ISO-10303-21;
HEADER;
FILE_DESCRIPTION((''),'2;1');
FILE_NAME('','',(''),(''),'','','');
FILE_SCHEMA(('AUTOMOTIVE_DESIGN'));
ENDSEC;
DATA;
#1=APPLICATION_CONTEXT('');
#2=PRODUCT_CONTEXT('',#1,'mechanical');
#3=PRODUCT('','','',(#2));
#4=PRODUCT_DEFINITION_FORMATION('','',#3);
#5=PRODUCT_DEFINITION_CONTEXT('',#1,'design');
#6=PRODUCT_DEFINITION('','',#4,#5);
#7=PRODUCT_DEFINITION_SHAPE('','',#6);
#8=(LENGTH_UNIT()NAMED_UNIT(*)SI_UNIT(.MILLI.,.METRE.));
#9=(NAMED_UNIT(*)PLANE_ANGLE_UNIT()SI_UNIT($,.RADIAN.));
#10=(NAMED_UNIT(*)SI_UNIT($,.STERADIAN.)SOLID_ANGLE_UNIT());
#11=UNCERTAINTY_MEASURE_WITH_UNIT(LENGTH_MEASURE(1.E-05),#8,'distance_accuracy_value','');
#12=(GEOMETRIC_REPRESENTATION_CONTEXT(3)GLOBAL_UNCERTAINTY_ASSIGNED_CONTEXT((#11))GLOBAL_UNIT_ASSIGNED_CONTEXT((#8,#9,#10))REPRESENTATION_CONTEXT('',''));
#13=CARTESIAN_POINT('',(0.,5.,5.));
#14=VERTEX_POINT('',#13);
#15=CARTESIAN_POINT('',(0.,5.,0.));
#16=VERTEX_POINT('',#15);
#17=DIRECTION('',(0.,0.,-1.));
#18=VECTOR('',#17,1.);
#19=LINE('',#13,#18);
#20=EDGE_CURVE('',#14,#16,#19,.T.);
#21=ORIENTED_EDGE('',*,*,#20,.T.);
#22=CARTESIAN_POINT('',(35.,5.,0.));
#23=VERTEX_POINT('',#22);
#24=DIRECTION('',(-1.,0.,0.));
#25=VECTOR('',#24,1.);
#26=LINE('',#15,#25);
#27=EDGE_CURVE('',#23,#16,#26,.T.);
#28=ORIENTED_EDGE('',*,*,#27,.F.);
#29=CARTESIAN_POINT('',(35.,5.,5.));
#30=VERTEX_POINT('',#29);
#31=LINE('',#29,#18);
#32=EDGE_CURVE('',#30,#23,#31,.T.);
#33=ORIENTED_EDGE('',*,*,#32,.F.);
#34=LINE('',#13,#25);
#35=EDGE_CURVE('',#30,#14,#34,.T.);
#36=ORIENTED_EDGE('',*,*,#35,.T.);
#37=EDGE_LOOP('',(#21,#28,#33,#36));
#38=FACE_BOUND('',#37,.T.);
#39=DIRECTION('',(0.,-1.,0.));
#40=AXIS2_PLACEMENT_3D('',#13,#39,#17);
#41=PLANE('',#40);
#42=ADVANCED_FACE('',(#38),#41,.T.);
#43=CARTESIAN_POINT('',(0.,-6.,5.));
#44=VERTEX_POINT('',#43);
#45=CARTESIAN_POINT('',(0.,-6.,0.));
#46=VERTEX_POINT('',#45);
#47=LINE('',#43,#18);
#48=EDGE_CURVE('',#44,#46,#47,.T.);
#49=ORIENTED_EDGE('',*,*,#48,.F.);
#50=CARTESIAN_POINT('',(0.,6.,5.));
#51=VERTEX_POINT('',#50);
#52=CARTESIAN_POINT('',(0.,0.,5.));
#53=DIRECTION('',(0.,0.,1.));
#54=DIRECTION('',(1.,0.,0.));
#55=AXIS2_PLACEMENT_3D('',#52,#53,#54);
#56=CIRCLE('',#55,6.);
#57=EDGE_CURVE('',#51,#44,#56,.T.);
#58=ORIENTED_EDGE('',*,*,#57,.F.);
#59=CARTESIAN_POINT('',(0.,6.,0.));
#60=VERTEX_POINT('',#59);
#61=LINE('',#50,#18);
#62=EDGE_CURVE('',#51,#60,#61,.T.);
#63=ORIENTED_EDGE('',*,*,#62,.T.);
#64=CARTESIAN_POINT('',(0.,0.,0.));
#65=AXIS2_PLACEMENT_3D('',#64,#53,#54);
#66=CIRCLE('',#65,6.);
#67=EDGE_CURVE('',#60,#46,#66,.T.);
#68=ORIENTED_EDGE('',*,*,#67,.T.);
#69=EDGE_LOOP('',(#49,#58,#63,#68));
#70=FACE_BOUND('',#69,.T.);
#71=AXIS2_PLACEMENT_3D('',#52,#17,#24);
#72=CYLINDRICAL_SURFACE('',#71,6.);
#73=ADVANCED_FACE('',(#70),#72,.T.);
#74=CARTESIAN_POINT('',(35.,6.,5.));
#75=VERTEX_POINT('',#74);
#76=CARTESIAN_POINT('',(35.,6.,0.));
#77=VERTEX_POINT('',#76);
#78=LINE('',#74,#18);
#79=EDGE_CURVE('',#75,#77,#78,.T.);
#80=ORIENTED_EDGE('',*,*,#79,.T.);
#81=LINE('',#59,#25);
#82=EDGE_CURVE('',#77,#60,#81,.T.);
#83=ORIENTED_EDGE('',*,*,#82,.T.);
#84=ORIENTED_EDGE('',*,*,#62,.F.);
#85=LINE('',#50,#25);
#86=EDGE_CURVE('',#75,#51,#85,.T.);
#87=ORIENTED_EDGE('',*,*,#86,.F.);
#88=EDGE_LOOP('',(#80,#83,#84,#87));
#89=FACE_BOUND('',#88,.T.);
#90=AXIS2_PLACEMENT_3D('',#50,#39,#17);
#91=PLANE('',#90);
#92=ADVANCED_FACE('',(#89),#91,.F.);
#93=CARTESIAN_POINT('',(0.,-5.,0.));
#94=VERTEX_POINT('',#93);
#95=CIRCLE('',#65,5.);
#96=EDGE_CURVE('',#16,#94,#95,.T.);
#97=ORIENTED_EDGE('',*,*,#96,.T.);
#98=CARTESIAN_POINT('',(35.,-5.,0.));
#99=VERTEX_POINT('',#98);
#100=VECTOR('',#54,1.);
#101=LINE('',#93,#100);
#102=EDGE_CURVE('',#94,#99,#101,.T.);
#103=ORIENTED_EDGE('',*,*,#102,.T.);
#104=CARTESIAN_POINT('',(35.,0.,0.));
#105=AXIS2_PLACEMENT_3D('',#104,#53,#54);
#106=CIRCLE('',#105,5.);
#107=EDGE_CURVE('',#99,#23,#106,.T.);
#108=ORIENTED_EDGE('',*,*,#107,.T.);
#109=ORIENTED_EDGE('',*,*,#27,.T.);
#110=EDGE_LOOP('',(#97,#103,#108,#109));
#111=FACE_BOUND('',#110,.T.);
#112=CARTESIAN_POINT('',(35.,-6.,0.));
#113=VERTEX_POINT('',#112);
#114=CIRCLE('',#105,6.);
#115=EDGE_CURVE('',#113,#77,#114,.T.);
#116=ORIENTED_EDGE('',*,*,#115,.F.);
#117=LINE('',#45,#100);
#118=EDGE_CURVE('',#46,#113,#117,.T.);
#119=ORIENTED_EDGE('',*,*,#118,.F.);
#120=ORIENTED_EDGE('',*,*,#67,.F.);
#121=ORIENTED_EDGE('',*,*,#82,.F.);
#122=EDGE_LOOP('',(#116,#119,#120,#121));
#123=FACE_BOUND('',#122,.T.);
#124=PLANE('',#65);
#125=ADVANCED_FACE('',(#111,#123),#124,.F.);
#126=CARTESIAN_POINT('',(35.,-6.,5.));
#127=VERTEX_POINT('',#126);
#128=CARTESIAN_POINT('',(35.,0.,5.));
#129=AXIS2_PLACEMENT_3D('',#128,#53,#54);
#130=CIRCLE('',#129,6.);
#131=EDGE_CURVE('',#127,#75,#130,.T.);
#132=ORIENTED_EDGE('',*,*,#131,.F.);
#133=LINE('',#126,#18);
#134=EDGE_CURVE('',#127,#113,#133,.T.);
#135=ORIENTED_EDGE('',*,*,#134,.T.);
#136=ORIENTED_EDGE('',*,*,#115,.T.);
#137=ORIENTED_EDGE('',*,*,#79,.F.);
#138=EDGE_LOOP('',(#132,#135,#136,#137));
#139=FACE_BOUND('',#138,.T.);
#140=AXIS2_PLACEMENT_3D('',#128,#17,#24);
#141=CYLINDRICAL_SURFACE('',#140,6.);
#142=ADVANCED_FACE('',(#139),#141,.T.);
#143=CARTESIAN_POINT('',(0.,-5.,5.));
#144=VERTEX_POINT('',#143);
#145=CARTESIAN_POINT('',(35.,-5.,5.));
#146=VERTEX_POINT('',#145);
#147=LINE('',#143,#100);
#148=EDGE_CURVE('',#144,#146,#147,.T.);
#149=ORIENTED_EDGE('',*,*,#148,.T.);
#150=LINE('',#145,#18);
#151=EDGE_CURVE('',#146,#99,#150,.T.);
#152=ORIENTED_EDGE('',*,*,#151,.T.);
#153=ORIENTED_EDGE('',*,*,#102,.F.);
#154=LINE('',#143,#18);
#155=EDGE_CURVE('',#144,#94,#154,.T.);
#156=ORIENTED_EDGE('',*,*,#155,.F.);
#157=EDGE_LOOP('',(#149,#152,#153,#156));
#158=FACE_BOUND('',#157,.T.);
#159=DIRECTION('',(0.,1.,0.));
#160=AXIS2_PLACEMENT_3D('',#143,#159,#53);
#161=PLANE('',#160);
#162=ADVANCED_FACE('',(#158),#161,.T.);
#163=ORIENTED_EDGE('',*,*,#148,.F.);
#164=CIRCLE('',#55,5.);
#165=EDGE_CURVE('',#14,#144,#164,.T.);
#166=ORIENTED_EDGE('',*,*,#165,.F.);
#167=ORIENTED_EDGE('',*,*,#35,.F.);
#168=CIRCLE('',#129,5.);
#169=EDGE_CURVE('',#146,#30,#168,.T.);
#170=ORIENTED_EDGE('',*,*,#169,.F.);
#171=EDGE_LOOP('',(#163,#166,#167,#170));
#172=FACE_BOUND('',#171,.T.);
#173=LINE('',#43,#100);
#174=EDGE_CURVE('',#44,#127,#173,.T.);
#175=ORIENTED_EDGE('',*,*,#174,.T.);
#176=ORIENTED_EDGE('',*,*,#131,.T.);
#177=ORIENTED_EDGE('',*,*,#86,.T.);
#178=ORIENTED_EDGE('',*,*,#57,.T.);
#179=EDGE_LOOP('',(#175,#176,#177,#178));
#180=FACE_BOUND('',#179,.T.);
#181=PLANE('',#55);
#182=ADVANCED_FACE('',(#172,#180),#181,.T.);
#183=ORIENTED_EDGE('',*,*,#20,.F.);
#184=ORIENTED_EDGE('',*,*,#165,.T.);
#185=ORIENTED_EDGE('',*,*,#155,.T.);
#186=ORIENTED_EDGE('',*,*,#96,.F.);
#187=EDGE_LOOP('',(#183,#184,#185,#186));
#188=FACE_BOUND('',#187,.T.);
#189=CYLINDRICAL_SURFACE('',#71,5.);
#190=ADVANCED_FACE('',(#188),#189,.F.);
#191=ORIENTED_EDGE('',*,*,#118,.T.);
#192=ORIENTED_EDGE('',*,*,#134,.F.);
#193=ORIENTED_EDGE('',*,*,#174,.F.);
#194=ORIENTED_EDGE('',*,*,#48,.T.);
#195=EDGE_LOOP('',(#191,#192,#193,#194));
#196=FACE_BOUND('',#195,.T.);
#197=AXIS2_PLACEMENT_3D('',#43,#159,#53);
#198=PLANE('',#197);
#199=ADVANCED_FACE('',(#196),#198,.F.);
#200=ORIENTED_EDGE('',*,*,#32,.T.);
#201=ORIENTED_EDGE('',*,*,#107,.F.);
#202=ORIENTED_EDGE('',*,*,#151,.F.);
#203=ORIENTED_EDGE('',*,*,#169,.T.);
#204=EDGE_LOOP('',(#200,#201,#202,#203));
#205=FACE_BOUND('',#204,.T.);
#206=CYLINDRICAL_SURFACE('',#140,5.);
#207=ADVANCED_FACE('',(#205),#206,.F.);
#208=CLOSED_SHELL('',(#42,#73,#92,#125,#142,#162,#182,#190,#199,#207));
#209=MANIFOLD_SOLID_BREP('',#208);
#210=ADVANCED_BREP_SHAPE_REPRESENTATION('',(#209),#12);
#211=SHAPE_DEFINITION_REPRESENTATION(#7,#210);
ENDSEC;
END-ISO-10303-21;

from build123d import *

# Parameters (mm, degrees)
BOSS_EXTRUDE1_DEPTH = 5


with BuildPart() as part:
    # Sketch1 → Boss-Extrude1 (new body)
    with BuildSketch(Plane.XY):
        with BuildLine():
            Line((0, 6), (35, 6))
            ThreePointArc((35, 6), (41, 0), (35, -6))
            Line((35, -6), (0, -6))
            ThreePointArc((0, -6), (-6, 0), (0, 6))
        make_face()
        with BuildLine():
            Line((0, 5), (35, 5))
            ThreePointArc((35, 5), (40, 0), (35, -5))
            Line((35, -5), (0, -5))
            ThreePointArc((0, -5), (-5, 0), (0, 5))
        make_face(mode=Mode.SUBTRACT)
    extrude(amount=BOSS_EXTRUDE1_DEPTH)


solid = part.part
